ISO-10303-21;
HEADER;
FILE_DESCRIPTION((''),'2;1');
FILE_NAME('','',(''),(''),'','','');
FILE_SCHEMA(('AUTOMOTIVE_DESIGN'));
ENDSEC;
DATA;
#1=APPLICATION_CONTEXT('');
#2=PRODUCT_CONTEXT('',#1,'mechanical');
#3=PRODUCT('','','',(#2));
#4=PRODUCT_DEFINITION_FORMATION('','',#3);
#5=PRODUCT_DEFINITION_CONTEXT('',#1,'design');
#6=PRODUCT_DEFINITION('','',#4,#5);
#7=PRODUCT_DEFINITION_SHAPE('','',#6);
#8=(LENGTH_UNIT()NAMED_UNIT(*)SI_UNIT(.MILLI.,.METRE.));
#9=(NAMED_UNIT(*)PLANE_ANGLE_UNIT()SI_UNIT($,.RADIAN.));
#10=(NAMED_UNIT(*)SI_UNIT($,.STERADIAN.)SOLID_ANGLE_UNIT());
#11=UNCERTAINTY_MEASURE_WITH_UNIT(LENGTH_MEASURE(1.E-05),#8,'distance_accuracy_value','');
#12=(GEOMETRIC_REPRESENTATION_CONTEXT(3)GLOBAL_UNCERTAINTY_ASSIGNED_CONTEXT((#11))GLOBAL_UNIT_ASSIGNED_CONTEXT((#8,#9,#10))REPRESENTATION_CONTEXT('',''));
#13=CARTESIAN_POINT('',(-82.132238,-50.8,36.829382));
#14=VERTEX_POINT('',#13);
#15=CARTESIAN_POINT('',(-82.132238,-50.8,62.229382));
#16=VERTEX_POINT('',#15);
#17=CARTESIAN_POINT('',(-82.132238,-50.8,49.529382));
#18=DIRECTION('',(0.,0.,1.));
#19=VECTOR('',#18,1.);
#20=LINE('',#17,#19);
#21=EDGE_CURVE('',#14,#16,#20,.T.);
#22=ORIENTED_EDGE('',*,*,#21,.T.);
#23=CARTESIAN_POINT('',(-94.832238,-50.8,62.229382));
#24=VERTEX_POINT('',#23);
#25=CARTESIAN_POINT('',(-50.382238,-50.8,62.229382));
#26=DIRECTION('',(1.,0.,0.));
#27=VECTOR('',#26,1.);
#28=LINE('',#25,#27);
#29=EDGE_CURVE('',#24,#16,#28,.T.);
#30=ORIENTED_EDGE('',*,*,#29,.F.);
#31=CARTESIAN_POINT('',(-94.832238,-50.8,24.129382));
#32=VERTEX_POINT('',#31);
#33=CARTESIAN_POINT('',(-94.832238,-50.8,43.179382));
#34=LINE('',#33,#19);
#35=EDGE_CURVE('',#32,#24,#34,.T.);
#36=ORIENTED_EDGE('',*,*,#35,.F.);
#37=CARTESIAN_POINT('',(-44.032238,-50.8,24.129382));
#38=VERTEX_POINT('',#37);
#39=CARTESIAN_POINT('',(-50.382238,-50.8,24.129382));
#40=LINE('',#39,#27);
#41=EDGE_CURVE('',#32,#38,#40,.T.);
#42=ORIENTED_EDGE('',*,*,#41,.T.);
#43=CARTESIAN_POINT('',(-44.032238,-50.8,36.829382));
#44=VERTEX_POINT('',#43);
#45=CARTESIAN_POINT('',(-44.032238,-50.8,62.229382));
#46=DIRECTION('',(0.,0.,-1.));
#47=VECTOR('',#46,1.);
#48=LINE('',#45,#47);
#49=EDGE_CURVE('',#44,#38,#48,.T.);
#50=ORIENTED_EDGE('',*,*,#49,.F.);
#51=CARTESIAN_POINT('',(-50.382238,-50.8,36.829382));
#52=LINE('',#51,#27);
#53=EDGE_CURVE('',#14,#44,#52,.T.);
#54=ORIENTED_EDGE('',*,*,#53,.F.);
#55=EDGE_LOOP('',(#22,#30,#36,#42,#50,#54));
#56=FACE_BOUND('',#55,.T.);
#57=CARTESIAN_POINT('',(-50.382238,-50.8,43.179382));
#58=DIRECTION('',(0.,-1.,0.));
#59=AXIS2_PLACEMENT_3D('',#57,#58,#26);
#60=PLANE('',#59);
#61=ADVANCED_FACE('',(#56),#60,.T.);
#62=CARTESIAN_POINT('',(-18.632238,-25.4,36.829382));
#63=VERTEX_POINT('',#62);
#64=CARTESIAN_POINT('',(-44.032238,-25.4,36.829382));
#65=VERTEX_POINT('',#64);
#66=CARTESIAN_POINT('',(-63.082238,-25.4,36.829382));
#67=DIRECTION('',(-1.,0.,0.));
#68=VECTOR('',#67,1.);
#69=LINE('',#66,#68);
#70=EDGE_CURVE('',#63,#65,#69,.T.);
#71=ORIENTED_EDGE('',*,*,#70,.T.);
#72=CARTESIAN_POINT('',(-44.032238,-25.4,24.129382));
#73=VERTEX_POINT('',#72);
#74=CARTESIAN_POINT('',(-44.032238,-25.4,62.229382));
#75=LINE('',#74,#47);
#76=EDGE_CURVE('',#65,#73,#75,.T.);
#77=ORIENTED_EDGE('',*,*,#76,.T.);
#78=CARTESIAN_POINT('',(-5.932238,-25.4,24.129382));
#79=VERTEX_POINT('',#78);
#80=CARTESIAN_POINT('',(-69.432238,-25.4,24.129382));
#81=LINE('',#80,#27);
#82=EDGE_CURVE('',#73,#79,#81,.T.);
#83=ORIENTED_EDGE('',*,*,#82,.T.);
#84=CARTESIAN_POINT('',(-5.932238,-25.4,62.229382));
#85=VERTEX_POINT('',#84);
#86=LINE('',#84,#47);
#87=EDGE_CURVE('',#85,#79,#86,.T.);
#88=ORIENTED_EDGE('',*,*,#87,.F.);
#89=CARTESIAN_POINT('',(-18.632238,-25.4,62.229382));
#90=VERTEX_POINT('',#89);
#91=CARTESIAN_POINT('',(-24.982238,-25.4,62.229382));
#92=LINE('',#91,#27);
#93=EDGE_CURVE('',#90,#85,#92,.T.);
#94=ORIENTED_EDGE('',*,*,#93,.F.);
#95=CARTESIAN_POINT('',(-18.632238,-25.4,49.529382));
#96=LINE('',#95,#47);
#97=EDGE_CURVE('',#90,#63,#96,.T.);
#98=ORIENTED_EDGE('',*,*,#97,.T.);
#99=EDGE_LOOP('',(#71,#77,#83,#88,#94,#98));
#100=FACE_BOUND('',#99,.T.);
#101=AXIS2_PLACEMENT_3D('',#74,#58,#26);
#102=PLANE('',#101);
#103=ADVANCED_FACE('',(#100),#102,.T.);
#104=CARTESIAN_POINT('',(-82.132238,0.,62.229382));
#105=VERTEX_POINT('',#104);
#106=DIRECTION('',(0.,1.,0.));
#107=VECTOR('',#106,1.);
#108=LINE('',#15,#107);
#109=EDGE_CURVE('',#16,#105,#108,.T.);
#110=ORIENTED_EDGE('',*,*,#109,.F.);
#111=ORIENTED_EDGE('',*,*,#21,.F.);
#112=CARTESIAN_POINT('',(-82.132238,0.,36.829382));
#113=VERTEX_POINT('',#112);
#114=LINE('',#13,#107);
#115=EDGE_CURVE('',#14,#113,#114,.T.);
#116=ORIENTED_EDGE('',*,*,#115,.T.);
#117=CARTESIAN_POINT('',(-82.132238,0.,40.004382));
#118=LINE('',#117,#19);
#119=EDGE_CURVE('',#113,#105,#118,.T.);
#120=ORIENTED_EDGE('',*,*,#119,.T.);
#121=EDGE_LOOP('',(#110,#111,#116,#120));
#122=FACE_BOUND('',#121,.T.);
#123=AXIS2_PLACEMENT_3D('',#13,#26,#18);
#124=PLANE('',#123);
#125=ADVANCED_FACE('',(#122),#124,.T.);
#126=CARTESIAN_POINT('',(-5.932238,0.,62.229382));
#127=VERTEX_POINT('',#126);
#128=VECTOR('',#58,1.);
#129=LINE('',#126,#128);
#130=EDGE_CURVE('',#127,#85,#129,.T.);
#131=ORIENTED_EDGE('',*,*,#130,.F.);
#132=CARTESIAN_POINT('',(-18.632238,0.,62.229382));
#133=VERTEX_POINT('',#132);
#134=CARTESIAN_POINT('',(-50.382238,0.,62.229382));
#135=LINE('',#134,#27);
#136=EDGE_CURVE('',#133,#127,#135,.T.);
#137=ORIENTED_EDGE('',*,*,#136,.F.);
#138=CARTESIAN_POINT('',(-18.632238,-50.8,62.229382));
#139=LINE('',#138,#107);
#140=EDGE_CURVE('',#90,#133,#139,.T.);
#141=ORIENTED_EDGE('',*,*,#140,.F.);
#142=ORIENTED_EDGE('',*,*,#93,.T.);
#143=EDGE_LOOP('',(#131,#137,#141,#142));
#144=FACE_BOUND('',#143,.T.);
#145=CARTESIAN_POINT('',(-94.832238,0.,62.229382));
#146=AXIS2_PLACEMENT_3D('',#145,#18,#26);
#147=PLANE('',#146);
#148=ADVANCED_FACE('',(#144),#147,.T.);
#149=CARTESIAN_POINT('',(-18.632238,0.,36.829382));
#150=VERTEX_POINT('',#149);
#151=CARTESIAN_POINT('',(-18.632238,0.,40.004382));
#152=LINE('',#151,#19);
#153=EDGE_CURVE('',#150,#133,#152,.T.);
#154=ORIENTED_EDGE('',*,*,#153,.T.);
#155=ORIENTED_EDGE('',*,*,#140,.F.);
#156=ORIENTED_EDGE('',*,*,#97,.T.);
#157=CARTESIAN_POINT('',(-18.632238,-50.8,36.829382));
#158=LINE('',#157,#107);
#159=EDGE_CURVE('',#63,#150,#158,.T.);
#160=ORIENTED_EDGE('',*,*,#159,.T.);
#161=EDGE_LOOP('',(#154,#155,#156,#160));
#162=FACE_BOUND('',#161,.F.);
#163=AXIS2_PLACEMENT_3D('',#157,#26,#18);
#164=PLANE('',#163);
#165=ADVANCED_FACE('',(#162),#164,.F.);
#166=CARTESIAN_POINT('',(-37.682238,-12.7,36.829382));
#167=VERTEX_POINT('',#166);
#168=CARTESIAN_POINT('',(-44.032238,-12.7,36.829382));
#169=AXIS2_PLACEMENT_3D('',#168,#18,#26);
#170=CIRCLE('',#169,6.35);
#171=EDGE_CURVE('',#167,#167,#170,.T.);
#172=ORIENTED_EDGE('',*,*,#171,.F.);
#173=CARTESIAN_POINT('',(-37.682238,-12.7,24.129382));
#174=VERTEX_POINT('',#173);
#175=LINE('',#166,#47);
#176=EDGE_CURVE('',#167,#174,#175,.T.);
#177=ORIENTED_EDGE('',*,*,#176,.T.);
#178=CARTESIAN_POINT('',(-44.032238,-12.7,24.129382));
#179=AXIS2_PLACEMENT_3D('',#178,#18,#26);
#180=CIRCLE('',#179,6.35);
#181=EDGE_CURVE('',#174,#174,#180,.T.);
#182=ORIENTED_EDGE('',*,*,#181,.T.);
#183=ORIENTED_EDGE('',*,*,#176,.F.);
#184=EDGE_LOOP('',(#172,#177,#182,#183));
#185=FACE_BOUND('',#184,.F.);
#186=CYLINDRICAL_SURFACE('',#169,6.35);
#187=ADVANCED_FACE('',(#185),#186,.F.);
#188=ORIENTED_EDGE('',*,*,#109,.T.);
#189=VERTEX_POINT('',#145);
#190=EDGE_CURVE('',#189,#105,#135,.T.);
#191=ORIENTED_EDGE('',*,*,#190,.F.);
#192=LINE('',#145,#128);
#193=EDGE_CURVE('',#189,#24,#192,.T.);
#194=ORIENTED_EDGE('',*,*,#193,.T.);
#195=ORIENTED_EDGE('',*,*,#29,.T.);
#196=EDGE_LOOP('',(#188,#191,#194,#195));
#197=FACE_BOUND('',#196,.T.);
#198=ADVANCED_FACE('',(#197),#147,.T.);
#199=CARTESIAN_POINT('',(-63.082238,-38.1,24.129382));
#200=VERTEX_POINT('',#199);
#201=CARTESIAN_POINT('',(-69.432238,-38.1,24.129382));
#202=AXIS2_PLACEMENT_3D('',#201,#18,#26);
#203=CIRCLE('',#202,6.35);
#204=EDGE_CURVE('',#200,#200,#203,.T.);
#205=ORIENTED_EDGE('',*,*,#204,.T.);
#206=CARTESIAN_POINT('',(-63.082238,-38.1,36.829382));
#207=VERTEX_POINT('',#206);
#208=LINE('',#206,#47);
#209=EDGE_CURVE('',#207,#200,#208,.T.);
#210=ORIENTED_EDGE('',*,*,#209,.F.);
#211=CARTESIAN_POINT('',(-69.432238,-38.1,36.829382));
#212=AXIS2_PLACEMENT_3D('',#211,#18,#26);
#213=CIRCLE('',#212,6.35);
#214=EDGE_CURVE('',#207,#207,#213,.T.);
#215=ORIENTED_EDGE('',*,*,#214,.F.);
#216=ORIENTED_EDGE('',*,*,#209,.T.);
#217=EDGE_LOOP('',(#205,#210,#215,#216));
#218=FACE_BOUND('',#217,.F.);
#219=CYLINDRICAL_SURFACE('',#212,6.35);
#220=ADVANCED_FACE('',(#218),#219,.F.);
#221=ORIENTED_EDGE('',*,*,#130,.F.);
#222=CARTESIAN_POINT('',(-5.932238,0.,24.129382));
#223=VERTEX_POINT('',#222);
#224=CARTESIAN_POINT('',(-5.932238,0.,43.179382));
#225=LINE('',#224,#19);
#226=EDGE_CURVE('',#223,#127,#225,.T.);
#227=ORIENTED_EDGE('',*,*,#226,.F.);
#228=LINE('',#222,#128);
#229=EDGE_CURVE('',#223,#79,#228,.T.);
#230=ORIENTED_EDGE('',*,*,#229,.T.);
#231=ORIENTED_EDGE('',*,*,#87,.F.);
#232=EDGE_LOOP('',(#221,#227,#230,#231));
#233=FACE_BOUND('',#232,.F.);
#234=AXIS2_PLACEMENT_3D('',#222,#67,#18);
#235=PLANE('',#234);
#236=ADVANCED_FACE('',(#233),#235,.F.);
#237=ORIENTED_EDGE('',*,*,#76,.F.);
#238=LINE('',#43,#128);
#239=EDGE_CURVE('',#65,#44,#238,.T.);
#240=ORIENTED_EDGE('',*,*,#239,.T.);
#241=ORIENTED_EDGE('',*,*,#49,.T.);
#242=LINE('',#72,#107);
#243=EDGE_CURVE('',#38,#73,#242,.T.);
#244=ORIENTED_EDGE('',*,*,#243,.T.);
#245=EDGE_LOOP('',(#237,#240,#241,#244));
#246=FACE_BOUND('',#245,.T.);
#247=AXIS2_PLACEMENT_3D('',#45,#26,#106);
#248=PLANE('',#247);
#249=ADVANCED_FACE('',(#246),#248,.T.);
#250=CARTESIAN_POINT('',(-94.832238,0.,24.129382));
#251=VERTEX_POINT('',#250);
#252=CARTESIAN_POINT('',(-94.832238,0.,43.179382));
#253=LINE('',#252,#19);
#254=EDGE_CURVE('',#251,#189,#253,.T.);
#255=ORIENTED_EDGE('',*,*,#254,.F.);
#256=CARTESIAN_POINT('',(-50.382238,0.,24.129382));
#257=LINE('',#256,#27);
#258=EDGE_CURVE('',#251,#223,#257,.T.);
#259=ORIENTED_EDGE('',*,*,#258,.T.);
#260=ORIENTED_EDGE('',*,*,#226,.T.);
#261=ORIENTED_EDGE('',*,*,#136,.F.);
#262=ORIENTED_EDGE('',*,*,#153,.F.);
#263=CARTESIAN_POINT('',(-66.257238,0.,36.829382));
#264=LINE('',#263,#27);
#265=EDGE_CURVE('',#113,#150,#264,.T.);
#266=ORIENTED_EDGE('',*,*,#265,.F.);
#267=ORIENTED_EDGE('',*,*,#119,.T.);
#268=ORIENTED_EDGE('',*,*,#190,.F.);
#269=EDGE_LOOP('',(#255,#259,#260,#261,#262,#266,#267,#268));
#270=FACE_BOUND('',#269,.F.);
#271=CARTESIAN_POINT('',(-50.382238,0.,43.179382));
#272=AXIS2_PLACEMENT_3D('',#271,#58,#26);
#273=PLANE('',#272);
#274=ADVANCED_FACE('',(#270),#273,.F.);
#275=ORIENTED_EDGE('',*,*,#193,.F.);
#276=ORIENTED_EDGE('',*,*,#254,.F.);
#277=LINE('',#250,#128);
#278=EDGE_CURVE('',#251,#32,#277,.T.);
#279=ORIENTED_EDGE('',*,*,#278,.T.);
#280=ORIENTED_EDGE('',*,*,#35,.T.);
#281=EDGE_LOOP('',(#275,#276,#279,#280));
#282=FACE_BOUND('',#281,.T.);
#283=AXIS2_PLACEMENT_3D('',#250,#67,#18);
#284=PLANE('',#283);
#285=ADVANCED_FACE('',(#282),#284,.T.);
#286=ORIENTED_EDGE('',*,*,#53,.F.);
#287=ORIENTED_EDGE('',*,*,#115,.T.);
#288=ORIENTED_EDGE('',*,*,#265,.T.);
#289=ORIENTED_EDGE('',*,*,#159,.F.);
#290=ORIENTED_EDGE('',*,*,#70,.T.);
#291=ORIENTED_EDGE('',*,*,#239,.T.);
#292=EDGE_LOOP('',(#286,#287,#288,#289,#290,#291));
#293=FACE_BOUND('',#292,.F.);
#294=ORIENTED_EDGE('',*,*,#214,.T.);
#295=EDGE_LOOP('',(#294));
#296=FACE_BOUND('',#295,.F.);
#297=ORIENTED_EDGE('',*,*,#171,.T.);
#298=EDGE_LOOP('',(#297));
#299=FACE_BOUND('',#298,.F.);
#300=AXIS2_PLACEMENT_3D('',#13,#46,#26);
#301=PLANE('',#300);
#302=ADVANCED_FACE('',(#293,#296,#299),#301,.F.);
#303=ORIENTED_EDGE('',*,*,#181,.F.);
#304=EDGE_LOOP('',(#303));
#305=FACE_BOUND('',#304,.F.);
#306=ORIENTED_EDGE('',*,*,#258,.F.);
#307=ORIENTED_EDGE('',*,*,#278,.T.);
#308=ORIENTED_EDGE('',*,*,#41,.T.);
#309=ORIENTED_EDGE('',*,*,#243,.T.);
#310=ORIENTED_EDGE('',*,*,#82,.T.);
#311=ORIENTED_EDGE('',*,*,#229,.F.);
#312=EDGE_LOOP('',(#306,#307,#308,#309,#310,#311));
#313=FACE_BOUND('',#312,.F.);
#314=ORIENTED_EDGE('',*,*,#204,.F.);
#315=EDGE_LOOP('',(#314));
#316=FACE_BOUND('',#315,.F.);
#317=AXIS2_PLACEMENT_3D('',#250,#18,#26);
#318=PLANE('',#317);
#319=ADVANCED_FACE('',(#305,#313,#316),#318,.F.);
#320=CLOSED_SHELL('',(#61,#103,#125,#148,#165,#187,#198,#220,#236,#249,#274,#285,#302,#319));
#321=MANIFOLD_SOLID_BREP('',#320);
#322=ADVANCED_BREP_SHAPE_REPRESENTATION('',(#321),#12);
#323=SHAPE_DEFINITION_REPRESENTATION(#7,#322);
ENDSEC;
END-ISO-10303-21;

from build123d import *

# Parameters (mm, degrees)
F0_W     = 88.9
F0_H     = 38.1
F1_DEPTH = 50.8
F2_W     = 63.5
F2_H     = 25.4
F3_DEPTH = 50.801
F4_W     = 38.1
F4_H     = 25.4
F5_DEPTH = 38.101
F6_R     = 6.35
F7_DEPTH = 12.701
F8_R     = 6.35
F9_DEPTH = 12.701


with BuildPart() as f1:
    # F0 (on Front) → F1 (new body)
    with BuildSketch(Plane.XZ):
        with Locations((-50.382238, 43.179382)):
            Rectangle(F0_W, F0_H)
    extrude(amount=F1_DEPTH)

    # F2 (on face) → F3 (cut, through all)
    with BuildSketch(Plane.XZ.offset(50.8)):
        with Locations((-50.382238, 49.529382)):
            Rectangle(F2_W, F2_H)
    extrude(amount=-F3_DEPTH, mode=Mode.SUBTRACT)

    # F4 (on face) → F5 (cut, through all)
    with BuildSketch(Plane.XY.offset(62.229382)):
        with Locations((-24.982238, -38.1)):
            Rectangle(F4_W, F4_H)
    extrude(amount=-F5_DEPTH, mode=Mode.SUBTRACT)

    # F6 (on face) → F7 (cut, through all)
    with BuildSketch(Plane.XY.offset(36.829382)):
        with Locations((-44.032238, -12.7)):
            Circle(F6_R)
    extrude(amount=-F7_DEPTH, mode=Mode.SUBTRACT)

    # F8 (on face) → F9 (cut, through all)
    with BuildSketch(Plane.XY.offset(36.829382)):
        with Locations((-69.432238, -38.1)):
            Circle(F8_R)
    extrude(amount=-F9_DEPTH, mode=Mode.SUBTRACT)


solid = f1.part
